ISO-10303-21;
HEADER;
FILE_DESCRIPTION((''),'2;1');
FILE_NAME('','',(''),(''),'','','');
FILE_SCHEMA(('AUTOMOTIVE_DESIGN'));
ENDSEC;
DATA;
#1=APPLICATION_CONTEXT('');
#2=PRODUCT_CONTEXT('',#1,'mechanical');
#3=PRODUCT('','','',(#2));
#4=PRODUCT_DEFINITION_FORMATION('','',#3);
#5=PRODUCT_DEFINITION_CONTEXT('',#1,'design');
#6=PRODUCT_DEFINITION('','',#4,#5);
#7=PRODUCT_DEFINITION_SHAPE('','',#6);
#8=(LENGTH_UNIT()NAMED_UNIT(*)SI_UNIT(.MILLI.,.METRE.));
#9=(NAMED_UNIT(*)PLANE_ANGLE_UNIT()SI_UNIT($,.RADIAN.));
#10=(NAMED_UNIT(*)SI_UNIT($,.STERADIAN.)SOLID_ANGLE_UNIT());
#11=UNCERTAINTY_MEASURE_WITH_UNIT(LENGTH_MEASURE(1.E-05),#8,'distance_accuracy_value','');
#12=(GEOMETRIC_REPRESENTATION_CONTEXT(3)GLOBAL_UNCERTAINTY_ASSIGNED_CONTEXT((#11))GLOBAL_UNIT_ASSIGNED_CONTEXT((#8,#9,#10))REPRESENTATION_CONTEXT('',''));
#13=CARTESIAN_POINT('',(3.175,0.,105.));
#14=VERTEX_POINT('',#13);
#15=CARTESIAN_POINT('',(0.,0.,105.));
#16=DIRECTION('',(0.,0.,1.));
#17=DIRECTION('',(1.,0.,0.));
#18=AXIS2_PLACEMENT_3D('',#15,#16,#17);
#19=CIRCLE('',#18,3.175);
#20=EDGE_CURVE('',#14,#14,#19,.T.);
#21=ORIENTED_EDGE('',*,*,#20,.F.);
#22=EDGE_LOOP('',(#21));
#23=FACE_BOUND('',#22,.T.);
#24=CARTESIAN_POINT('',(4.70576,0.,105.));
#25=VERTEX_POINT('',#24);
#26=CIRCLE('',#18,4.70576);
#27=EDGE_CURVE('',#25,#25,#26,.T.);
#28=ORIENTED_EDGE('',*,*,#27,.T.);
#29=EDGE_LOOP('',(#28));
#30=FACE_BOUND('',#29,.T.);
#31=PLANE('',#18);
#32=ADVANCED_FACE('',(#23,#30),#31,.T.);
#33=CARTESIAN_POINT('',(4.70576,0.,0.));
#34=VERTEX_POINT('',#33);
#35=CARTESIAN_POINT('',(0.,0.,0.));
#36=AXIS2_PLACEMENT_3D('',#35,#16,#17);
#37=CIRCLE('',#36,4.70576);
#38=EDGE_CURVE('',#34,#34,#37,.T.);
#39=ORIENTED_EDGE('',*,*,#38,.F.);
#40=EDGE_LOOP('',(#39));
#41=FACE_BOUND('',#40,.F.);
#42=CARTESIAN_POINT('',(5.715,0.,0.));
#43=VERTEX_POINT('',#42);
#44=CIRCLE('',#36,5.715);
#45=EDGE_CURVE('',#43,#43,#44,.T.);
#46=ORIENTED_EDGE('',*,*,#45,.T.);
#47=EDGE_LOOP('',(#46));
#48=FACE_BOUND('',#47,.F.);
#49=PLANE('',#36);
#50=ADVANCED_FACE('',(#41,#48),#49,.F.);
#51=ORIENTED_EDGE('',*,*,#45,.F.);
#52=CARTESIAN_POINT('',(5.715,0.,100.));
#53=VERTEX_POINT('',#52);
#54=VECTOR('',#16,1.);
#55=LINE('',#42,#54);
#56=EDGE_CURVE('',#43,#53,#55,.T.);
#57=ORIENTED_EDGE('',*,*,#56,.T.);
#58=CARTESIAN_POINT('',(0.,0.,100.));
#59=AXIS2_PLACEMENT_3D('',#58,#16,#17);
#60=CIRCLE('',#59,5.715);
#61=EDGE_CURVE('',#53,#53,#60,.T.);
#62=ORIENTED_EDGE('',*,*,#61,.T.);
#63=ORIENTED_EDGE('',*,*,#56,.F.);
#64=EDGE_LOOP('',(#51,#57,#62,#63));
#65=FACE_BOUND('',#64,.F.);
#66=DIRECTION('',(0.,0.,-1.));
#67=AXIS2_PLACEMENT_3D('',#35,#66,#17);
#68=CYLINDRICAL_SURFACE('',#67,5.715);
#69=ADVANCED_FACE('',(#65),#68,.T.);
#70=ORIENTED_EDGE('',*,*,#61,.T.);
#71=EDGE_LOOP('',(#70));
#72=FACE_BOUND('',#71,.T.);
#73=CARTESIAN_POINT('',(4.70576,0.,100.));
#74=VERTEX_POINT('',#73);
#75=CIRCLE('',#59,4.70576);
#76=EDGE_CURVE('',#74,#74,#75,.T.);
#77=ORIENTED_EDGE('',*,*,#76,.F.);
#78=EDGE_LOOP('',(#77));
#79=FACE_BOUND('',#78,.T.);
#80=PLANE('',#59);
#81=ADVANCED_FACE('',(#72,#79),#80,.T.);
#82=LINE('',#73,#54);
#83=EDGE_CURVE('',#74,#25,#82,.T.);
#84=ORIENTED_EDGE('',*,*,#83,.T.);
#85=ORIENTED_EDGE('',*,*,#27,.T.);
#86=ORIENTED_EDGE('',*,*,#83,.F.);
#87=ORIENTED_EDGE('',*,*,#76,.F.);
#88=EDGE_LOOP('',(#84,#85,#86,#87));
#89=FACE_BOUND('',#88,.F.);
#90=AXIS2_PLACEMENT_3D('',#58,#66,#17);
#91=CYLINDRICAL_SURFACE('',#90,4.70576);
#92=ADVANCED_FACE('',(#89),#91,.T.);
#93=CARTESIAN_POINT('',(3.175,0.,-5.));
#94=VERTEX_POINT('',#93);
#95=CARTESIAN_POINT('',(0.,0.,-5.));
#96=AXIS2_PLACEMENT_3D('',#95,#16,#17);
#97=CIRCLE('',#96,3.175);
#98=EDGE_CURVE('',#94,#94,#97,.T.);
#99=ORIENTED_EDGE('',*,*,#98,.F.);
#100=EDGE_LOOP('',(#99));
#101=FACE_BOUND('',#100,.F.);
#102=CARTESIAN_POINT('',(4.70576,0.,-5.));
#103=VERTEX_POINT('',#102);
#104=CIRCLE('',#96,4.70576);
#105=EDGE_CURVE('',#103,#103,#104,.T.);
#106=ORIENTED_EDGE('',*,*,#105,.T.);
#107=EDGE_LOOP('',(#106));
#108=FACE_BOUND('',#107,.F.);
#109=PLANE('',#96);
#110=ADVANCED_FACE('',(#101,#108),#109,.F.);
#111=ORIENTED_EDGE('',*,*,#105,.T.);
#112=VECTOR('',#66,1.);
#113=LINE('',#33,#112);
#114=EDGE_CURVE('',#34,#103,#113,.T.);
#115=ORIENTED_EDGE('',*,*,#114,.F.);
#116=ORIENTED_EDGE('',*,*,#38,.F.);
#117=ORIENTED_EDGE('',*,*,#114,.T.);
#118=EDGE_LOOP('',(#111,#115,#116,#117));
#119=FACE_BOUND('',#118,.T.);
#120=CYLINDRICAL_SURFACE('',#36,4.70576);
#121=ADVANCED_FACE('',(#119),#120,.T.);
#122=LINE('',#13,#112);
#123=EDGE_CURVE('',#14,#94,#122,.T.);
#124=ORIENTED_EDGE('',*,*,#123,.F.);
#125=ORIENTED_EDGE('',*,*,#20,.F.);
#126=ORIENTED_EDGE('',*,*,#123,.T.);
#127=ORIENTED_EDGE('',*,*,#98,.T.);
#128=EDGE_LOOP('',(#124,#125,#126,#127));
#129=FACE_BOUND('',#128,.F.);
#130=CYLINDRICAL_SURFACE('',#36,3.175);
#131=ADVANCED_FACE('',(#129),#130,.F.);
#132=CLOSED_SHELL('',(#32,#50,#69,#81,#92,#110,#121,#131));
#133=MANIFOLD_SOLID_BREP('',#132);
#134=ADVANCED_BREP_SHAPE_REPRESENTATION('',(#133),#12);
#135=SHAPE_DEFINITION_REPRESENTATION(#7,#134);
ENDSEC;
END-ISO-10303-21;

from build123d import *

# Parameters (mm, degrees)
F0_R     = 5.715
F0_R_2   = 3.175
F1_DEPTH = 100
F2_R     = 4.70576
F2_R_2   = 3.175
F3_DEPTH = 5
F4_R     = 4.70576
F4_R_2   = 3.175
F5_DEPTH = 5


with BuildPart() as f1:
    # F0 (on Top) → F1 (new body)
    with BuildSketch(Plane.XY):
        Circle(F0_R)
        Circle(F0_R_2, mode=Mode.SUBTRACT)
    extrude(amount=F1_DEPTH)

    # F2 (on face) → F3 (join)
    with BuildSketch(Plane.XY.offset(100)):
        Circle(F2_R)
        Circle(F2_R_2, mode=Mode.SUBTRACT)
    extrude(amount=F3_DEPTH)

    # F4 (on Top) → F5 (join)
    with BuildSketch(Plane.XY):
        Circle(F4_R)
        Circle(F4_R_2, mode=Mode.SUBTRACT)
    extrude(amount=-F5_DEPTH)


solid = f1.part
